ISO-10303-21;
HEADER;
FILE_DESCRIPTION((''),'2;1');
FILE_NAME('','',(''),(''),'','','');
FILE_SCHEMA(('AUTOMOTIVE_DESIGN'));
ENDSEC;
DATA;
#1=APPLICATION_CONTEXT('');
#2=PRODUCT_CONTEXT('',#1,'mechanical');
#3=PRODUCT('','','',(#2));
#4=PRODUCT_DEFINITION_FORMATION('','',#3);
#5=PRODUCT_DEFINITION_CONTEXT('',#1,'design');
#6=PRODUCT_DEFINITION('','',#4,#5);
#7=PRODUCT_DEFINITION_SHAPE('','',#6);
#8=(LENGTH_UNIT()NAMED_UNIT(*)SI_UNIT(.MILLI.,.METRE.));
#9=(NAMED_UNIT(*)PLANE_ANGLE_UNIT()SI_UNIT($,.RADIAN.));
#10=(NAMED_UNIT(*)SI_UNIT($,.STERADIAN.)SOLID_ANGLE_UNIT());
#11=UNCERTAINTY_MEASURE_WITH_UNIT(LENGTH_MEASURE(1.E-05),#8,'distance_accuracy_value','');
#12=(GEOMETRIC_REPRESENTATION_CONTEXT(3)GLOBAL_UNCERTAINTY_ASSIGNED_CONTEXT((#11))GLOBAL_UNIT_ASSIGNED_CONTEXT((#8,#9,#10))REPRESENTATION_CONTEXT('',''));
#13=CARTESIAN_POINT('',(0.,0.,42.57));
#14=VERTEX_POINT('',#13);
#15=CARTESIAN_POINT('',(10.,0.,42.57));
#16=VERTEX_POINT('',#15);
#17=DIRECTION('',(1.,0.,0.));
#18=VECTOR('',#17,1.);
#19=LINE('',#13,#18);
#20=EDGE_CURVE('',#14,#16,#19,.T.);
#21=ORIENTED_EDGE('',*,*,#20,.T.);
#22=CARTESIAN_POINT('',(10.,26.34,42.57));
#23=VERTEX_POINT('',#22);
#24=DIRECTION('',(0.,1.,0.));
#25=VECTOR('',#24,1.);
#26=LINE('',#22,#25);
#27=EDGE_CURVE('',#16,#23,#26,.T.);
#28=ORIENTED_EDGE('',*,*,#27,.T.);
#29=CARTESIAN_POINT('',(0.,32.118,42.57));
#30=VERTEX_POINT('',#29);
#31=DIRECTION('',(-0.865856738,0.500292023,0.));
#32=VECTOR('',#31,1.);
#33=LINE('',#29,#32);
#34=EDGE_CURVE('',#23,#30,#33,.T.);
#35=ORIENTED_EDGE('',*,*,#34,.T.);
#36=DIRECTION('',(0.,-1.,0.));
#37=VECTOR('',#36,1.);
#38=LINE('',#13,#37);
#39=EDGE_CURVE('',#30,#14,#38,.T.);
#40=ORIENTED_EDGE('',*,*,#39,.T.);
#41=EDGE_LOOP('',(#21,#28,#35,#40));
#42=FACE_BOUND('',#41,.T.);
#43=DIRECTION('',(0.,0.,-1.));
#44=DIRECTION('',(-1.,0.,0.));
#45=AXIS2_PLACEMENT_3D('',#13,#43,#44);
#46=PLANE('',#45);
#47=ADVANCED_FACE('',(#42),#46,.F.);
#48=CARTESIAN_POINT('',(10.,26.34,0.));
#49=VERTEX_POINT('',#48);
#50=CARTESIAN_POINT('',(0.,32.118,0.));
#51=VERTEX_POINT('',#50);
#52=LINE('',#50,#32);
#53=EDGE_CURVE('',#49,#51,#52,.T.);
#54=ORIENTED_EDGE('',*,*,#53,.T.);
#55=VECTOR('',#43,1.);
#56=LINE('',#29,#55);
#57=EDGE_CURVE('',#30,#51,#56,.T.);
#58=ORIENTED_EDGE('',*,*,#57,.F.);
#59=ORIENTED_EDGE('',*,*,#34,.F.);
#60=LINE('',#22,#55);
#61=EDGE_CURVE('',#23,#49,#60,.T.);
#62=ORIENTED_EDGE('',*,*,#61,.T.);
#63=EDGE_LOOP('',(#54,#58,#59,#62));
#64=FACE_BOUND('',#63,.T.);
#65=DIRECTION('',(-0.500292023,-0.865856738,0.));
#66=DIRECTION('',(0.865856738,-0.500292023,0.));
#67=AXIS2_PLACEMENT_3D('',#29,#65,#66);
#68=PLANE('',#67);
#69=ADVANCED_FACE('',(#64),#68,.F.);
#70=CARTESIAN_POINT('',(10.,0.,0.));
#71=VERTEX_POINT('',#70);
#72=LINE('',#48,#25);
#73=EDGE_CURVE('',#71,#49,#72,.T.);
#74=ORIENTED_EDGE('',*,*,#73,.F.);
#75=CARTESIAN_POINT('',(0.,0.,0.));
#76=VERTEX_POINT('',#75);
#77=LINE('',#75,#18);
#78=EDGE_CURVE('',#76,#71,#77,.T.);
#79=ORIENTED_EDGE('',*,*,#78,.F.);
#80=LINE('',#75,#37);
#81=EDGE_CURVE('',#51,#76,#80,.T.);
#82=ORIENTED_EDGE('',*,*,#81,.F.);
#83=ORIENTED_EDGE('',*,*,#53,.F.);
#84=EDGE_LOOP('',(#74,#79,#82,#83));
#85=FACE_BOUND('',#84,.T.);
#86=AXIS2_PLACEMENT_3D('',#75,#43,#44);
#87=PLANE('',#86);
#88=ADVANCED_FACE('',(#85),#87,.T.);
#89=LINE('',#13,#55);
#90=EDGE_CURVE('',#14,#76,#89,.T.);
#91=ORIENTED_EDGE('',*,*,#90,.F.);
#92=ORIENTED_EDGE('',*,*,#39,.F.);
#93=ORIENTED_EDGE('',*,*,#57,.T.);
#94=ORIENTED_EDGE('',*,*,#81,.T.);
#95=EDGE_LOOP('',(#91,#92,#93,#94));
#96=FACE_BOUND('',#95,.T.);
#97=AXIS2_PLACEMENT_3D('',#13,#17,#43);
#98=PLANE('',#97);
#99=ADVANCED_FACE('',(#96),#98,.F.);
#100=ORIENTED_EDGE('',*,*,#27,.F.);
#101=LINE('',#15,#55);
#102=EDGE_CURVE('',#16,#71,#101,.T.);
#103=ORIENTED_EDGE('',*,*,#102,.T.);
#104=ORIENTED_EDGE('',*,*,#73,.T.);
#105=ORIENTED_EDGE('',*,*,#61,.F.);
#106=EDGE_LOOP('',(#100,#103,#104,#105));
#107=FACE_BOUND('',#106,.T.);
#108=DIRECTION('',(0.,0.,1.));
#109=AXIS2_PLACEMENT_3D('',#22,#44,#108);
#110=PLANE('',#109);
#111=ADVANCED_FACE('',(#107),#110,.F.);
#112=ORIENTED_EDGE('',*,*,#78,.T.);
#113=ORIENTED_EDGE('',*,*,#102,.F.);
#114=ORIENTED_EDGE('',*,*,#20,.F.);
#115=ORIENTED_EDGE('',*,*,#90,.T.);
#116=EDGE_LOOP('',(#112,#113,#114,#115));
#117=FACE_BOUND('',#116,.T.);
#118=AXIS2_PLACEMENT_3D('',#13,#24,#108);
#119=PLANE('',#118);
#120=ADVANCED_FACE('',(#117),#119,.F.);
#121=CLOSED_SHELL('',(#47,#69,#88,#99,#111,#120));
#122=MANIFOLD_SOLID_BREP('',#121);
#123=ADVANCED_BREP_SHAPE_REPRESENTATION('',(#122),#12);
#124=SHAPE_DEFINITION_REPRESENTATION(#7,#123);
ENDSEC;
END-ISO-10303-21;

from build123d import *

# Parameters (mm, degrees)
BOSS_EXTRUDE1_DEPTH = 42.57


with BuildPart() as part:
    # Sketch1 → Boss-Extrude1 (new body)
    with BuildSketch(Plane.XY):
        Polygon((0, 0), (10, 0), (10, 26.34), (0, 32.118), align=None)
    extrude(amount=BOSS_EXTRUDE1_DEPTH)


solid = part.part
